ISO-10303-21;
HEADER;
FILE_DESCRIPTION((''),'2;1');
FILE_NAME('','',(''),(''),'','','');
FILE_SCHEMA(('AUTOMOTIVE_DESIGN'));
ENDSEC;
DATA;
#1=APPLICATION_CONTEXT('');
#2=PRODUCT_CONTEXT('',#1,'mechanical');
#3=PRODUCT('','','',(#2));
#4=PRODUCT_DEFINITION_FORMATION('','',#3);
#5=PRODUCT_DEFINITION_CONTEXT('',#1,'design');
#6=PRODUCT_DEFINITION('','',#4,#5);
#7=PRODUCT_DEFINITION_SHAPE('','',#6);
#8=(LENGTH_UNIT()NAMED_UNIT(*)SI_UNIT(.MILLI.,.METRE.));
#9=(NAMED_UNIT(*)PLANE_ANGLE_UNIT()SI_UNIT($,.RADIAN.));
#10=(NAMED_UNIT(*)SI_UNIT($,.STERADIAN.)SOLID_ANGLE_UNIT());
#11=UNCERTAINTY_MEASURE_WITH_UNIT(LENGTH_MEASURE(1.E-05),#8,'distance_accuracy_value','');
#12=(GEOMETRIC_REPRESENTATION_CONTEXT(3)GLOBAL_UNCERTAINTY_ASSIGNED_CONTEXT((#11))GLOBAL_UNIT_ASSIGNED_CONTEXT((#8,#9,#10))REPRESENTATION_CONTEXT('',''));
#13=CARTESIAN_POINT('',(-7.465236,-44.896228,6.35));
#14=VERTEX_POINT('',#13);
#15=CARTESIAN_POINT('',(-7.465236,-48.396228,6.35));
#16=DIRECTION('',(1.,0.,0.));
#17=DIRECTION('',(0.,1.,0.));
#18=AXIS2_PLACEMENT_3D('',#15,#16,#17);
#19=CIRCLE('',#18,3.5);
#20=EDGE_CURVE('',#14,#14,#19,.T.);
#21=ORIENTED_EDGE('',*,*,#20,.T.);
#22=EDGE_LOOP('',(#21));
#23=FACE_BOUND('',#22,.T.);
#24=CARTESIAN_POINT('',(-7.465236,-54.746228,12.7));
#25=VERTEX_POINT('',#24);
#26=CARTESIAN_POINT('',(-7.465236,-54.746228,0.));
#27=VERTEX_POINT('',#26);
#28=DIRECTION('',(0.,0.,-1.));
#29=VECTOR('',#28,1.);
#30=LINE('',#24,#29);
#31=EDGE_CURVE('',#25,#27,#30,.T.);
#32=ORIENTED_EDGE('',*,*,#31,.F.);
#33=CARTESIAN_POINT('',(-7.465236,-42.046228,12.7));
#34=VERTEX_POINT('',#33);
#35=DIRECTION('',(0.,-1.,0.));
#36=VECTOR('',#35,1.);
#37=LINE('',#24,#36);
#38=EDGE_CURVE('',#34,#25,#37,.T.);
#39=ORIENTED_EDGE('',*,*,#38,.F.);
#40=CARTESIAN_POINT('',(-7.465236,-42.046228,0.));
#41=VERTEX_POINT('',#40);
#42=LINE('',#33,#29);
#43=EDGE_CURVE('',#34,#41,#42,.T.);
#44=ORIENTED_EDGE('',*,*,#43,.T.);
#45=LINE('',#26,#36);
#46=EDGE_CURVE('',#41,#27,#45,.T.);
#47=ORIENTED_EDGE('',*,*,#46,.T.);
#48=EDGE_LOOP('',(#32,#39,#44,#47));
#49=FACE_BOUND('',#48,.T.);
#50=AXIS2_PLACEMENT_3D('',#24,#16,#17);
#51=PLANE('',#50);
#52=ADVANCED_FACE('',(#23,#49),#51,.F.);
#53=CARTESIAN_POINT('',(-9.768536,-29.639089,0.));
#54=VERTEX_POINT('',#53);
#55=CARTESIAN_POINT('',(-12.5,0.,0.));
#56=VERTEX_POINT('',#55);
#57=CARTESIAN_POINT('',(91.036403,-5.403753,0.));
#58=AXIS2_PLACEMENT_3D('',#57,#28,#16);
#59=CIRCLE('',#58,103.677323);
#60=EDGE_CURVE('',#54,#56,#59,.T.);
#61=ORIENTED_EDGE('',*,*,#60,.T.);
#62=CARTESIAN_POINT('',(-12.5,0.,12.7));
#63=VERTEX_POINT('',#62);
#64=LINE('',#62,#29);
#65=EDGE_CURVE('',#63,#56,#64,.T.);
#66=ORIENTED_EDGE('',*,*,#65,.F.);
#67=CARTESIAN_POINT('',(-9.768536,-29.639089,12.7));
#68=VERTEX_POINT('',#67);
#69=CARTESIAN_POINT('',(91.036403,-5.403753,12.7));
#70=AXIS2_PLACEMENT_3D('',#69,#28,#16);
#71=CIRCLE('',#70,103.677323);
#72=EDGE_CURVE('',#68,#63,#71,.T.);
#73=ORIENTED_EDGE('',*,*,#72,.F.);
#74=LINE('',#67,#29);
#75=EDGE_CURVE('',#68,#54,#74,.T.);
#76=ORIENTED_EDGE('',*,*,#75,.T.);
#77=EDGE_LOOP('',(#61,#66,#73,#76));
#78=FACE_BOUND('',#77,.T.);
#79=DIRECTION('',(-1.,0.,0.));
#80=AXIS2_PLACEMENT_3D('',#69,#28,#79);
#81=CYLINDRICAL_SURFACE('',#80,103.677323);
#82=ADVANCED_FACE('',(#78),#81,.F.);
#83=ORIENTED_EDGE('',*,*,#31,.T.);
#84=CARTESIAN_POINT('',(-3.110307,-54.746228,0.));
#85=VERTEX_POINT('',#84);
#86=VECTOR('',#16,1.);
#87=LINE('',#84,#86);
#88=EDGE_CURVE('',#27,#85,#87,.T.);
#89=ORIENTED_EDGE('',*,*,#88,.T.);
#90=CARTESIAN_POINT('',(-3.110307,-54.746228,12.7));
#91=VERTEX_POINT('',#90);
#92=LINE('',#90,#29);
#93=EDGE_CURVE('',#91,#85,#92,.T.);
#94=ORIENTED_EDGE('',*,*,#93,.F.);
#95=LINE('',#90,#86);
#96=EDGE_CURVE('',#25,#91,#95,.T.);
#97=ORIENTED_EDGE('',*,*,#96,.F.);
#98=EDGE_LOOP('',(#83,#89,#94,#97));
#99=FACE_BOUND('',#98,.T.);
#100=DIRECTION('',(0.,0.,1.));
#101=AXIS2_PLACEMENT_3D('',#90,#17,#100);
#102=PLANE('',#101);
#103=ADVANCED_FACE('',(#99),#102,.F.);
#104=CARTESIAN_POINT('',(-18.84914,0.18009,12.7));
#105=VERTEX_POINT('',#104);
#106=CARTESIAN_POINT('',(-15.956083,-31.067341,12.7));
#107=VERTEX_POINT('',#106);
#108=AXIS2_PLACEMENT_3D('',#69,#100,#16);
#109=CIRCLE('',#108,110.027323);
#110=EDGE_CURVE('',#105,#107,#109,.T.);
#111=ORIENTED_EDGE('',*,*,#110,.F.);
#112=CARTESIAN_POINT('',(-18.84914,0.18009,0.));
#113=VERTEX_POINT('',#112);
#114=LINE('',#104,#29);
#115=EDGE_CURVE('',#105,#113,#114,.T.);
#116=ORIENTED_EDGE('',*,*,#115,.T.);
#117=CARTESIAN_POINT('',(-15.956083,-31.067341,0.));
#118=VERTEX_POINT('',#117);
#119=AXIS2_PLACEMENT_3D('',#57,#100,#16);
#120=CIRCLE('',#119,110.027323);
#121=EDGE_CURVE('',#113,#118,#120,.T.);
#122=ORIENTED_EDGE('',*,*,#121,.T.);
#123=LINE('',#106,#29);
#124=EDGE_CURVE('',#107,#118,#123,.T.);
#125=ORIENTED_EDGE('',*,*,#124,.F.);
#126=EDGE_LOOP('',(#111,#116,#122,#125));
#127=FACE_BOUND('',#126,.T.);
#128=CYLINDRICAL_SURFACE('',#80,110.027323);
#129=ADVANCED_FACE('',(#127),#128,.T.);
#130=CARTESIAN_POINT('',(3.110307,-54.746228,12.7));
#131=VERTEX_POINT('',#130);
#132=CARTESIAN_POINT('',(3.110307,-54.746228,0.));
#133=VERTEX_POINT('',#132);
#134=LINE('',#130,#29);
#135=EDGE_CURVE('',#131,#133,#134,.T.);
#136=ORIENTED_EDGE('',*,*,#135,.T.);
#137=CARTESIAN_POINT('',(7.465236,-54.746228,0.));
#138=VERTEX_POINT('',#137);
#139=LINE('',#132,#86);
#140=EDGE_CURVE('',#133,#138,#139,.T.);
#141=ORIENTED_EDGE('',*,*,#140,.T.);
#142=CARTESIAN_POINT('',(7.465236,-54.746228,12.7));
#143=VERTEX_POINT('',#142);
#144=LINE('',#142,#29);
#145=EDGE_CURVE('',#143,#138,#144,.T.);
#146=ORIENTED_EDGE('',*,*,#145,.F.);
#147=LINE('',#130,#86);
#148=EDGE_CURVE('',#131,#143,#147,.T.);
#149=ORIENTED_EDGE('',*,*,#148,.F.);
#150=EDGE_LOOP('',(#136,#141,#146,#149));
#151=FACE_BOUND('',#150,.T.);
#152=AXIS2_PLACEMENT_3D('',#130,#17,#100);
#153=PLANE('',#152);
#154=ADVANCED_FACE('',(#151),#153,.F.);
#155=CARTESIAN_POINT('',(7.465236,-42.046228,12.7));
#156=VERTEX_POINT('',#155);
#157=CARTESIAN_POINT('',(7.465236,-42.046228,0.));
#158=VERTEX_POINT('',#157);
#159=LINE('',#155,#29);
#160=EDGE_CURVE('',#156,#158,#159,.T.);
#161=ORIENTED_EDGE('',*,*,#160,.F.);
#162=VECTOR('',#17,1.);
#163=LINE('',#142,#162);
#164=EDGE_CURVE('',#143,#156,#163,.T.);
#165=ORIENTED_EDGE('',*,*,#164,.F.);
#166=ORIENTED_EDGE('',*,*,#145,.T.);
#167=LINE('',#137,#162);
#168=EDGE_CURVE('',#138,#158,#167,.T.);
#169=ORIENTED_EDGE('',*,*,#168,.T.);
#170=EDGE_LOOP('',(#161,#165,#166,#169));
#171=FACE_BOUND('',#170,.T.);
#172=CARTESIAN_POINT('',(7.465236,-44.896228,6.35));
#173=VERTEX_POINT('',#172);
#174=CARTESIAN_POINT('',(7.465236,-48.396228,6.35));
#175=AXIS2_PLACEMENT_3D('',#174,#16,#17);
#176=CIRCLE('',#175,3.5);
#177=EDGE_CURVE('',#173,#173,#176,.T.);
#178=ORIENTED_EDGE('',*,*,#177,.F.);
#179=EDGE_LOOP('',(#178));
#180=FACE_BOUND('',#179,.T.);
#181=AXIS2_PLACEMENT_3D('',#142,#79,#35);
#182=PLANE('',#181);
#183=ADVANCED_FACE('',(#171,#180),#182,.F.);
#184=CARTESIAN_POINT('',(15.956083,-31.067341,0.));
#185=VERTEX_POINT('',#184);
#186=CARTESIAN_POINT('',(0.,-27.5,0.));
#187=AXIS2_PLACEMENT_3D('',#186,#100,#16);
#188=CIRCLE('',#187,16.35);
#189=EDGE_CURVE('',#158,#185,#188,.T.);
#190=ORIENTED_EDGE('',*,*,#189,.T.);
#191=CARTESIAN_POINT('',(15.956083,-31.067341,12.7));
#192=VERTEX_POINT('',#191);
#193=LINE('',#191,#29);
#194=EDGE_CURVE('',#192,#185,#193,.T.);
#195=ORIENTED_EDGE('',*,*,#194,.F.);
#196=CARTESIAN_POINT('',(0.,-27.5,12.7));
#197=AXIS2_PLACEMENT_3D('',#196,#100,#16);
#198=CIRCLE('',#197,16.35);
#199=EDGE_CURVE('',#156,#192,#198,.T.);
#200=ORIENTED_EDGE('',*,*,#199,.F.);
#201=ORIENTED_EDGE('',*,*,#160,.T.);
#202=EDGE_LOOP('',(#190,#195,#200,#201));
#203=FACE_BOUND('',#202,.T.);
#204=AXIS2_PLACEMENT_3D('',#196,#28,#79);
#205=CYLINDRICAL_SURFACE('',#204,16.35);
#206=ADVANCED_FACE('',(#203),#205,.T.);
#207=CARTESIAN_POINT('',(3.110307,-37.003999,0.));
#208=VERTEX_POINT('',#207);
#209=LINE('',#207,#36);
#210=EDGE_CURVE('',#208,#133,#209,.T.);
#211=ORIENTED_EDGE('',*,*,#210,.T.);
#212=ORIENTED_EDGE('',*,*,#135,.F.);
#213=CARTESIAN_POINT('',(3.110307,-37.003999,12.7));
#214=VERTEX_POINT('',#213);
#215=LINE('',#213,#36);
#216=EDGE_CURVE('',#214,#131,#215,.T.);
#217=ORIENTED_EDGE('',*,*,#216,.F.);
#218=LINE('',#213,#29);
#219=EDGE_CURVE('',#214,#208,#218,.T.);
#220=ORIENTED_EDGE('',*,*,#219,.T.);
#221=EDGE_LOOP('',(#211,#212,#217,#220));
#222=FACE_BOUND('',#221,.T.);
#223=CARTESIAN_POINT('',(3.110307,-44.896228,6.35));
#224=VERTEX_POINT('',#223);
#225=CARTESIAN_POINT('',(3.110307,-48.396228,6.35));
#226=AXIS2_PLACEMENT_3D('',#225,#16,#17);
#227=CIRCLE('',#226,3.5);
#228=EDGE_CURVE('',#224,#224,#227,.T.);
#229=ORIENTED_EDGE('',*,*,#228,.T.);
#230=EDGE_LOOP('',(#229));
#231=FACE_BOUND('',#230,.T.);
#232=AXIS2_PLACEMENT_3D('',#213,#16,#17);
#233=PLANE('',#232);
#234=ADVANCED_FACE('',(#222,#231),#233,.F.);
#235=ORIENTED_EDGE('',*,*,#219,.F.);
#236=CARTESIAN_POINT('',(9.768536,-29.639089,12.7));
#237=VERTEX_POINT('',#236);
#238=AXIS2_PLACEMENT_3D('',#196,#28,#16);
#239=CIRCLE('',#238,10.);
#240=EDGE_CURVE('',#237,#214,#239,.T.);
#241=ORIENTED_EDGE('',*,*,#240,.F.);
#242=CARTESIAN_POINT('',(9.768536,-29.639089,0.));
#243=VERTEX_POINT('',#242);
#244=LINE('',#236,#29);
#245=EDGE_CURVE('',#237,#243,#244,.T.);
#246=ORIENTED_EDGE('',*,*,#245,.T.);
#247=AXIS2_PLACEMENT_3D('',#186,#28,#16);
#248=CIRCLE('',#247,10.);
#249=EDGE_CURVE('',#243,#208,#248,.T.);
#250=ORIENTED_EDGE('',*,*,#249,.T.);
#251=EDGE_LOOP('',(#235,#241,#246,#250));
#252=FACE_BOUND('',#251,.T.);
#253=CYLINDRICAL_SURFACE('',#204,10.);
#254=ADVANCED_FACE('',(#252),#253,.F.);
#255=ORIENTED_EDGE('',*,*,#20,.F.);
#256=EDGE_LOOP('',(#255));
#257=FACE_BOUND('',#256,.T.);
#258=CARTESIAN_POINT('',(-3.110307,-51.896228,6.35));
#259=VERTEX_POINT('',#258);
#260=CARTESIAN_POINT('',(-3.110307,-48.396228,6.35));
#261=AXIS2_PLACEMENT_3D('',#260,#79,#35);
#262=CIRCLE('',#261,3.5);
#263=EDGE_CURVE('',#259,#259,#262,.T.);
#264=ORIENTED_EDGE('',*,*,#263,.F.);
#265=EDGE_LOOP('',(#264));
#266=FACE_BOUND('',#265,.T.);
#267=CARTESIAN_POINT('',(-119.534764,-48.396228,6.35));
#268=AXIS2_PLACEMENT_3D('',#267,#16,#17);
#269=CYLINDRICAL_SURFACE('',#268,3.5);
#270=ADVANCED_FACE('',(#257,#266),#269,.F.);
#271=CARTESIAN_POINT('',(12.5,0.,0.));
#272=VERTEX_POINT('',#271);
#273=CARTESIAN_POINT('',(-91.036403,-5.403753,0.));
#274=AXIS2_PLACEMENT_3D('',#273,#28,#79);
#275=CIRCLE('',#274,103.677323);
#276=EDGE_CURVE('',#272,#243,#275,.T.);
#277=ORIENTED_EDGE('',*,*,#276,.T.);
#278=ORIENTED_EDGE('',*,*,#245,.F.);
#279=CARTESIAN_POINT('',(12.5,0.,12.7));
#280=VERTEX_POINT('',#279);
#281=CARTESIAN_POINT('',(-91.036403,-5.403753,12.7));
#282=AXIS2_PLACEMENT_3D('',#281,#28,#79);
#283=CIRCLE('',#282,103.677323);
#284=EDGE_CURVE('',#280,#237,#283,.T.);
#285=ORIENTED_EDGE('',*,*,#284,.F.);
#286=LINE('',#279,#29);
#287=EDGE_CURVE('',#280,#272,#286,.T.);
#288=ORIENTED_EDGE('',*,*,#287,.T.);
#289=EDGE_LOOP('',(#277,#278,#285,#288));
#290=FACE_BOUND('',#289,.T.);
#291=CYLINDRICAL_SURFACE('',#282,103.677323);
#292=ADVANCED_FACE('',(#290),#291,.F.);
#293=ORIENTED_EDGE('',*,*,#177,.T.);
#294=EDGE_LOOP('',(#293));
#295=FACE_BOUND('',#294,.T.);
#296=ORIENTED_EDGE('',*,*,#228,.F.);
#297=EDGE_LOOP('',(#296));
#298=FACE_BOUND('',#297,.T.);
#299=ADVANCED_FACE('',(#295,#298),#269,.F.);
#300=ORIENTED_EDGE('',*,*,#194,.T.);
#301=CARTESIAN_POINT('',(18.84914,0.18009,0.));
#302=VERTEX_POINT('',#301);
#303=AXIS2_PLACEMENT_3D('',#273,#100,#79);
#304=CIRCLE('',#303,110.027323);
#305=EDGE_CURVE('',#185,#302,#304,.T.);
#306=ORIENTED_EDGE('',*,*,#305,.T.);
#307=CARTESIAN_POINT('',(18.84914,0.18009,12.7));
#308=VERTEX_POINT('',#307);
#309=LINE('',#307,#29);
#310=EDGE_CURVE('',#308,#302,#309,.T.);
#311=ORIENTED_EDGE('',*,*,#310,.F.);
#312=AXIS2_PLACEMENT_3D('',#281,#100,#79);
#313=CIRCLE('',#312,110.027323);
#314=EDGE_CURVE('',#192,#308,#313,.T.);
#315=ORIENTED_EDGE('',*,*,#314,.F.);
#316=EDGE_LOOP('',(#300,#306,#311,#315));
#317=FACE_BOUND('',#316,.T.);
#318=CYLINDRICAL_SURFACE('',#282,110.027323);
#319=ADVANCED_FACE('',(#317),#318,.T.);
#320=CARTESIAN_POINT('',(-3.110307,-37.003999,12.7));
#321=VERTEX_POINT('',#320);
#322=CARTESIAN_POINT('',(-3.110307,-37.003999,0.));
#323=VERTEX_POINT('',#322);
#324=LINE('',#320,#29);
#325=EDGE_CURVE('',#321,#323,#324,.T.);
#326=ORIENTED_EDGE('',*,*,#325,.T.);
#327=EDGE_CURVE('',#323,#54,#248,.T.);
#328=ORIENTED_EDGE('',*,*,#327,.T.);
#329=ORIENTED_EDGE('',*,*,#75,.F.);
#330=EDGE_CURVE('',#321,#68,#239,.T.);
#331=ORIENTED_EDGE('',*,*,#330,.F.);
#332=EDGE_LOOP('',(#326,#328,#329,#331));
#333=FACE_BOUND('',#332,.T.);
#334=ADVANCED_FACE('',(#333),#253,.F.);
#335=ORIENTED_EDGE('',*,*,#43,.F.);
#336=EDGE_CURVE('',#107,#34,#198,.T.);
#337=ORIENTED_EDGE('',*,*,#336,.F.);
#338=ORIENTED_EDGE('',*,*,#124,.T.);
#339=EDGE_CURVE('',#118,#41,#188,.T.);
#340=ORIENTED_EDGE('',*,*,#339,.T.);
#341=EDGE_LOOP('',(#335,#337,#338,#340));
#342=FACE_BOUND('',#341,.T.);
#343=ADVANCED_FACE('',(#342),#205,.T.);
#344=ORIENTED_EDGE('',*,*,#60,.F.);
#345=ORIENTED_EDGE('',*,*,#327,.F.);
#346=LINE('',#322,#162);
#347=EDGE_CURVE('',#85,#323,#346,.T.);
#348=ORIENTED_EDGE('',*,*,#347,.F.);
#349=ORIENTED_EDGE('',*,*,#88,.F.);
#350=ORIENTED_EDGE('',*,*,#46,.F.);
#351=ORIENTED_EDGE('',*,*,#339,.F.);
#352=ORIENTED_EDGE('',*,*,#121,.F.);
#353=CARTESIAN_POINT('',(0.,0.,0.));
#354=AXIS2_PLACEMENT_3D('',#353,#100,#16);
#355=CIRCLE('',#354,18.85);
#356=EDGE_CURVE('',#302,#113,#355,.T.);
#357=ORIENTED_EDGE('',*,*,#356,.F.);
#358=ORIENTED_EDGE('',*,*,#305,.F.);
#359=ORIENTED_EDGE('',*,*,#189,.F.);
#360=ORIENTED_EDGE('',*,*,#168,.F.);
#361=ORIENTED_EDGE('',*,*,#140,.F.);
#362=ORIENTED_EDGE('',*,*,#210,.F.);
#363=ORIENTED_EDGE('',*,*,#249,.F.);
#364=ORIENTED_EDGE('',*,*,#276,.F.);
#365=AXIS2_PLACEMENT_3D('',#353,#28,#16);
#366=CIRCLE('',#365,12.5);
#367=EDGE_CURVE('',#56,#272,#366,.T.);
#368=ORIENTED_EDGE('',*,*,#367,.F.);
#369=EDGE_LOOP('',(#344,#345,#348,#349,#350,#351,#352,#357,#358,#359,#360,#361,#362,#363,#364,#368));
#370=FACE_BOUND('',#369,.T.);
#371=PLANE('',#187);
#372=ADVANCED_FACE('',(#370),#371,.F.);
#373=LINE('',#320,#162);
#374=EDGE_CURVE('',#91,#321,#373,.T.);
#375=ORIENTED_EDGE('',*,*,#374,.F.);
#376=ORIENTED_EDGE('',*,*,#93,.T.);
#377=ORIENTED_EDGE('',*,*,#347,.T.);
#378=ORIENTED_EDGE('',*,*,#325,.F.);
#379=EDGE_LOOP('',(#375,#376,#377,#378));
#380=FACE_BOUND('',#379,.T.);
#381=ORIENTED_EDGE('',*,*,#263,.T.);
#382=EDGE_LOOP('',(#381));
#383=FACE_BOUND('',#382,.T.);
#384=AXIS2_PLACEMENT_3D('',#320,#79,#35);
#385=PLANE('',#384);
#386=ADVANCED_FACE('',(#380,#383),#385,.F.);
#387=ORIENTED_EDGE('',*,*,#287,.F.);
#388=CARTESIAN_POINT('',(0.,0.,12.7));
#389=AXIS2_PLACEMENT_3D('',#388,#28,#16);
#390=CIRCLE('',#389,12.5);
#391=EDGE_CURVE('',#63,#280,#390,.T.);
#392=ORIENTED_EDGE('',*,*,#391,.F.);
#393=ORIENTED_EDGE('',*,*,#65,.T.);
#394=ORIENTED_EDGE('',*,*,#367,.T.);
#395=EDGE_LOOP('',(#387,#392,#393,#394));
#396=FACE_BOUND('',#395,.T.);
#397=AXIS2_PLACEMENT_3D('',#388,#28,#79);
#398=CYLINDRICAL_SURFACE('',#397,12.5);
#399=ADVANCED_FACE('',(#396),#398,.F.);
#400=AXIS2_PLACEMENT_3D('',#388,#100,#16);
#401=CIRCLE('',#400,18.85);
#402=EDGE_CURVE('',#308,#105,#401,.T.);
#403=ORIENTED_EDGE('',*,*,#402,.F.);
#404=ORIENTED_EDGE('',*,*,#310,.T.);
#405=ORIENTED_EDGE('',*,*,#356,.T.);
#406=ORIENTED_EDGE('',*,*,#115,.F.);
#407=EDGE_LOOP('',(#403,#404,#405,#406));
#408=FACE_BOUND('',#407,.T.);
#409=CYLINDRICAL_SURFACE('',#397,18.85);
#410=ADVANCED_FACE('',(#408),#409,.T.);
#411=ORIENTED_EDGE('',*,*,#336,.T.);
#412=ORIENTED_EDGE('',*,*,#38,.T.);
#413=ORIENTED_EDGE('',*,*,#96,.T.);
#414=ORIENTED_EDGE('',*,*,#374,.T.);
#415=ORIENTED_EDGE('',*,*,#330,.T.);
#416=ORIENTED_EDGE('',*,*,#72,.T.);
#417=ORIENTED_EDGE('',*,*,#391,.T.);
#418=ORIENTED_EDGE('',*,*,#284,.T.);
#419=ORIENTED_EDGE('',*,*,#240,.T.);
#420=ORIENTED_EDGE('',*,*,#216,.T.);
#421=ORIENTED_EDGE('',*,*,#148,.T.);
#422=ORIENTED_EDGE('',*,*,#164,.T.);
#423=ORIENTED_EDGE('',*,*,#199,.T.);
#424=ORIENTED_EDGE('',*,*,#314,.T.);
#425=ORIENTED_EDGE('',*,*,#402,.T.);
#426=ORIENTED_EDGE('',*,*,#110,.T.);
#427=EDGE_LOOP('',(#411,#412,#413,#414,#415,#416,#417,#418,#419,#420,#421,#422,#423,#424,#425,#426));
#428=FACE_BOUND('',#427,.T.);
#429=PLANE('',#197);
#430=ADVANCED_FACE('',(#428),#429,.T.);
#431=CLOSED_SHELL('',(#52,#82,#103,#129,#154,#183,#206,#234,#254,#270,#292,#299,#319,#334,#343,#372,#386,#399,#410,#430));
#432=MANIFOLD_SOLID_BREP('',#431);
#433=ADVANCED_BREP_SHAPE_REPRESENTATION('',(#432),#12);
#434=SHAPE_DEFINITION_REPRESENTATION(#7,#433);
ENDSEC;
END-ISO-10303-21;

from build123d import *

# Parameters (mm, degrees)
BOSS_EXTRUDE1_DEPTH = 12.7
SKETCH2_R           = 3.499999985
CUT_EXTRUDE1_DEPTH  = 127


with BuildPart() as part:
    # Sketch1 → Boss-Extrude1 (new body)
    with BuildSketch(Plane.XY):
        with BuildLine():
            Line((-3.110307402, -37.00399852), (-3.110307402, -54.746228005))
            Line((-3.110307402, -54.746228005), (-7.465236153, -54.746228005))
            Line((-7.465236153, -54.746228005), (-7.465236153, -42.046228005))
            ThreePointArc((-7.465236153, -42.046228005), (-12.933427118, -37.502447849), (-15.956082844, -31.067340787))
            ThreePointArc((-15.956082844, -31.067340787), (-18.522349701, -15.547297089), (-18.849139709, 0.180089543))
            ThreePointArc((-18.849139709, 0.180089543), (0, 18.85), (18.849139709, 0.180089543))
            ThreePointArc((18.849139709, 0.180089543), (18.522349701, -15.547297089), (15.956082844, -31.067340787))
            ThreePointArc((15.956082844, -31.067340787), (12.933427118, -37.502447849), (7.465236153, -42.046228005))
            Line((7.465236153, -42.046228005), (7.465236153, -54.746228005))
            Line((7.465236153, -54.746228005), (3.110307402, -54.746228005))
            Line((3.110307402, -54.746228005), (3.110307402, -37.00399852))
            ThreePointArc((3.110307402, -37.00399852), (7.417993382, -34.206219068), (9.768536138, -29.639088993))
            ThreePointArc((9.768536138, -29.639088993), (12.203438759, -14.918076577), (12.5, 0))
            ThreePointArc((12.5, 0), (0, 12.5), (-12.5, 0))
            ThreePointArc((-12.5, 0), (-12.203438759, -14.918076577), (-9.768536138, -29.639088993))
            ThreePointArc((-9.768536138, -29.639088993), (-7.417993382, -34.206219068), (-3.110307402, -37.00399852))
        make_face()
    extrude(amount=BOSS_EXTRUDE1_DEPTH)

    # Sketch2 → Cut-Extrude1 (cut)
    with BuildSketch(Plane(origin=(7.465236153, 0, 0), x_dir=(0, 0, -1), z_dir=(1, 0, 0))):
        with Locations(Location((-6.35, -48.396228005, 0), (0, 0, 90))):
            Circle(SKETCH2_R)
    extrude(amount=-CUT_EXTRUDE1_DEPTH, mode=Mode.SUBTRACT)


solid = part.part
